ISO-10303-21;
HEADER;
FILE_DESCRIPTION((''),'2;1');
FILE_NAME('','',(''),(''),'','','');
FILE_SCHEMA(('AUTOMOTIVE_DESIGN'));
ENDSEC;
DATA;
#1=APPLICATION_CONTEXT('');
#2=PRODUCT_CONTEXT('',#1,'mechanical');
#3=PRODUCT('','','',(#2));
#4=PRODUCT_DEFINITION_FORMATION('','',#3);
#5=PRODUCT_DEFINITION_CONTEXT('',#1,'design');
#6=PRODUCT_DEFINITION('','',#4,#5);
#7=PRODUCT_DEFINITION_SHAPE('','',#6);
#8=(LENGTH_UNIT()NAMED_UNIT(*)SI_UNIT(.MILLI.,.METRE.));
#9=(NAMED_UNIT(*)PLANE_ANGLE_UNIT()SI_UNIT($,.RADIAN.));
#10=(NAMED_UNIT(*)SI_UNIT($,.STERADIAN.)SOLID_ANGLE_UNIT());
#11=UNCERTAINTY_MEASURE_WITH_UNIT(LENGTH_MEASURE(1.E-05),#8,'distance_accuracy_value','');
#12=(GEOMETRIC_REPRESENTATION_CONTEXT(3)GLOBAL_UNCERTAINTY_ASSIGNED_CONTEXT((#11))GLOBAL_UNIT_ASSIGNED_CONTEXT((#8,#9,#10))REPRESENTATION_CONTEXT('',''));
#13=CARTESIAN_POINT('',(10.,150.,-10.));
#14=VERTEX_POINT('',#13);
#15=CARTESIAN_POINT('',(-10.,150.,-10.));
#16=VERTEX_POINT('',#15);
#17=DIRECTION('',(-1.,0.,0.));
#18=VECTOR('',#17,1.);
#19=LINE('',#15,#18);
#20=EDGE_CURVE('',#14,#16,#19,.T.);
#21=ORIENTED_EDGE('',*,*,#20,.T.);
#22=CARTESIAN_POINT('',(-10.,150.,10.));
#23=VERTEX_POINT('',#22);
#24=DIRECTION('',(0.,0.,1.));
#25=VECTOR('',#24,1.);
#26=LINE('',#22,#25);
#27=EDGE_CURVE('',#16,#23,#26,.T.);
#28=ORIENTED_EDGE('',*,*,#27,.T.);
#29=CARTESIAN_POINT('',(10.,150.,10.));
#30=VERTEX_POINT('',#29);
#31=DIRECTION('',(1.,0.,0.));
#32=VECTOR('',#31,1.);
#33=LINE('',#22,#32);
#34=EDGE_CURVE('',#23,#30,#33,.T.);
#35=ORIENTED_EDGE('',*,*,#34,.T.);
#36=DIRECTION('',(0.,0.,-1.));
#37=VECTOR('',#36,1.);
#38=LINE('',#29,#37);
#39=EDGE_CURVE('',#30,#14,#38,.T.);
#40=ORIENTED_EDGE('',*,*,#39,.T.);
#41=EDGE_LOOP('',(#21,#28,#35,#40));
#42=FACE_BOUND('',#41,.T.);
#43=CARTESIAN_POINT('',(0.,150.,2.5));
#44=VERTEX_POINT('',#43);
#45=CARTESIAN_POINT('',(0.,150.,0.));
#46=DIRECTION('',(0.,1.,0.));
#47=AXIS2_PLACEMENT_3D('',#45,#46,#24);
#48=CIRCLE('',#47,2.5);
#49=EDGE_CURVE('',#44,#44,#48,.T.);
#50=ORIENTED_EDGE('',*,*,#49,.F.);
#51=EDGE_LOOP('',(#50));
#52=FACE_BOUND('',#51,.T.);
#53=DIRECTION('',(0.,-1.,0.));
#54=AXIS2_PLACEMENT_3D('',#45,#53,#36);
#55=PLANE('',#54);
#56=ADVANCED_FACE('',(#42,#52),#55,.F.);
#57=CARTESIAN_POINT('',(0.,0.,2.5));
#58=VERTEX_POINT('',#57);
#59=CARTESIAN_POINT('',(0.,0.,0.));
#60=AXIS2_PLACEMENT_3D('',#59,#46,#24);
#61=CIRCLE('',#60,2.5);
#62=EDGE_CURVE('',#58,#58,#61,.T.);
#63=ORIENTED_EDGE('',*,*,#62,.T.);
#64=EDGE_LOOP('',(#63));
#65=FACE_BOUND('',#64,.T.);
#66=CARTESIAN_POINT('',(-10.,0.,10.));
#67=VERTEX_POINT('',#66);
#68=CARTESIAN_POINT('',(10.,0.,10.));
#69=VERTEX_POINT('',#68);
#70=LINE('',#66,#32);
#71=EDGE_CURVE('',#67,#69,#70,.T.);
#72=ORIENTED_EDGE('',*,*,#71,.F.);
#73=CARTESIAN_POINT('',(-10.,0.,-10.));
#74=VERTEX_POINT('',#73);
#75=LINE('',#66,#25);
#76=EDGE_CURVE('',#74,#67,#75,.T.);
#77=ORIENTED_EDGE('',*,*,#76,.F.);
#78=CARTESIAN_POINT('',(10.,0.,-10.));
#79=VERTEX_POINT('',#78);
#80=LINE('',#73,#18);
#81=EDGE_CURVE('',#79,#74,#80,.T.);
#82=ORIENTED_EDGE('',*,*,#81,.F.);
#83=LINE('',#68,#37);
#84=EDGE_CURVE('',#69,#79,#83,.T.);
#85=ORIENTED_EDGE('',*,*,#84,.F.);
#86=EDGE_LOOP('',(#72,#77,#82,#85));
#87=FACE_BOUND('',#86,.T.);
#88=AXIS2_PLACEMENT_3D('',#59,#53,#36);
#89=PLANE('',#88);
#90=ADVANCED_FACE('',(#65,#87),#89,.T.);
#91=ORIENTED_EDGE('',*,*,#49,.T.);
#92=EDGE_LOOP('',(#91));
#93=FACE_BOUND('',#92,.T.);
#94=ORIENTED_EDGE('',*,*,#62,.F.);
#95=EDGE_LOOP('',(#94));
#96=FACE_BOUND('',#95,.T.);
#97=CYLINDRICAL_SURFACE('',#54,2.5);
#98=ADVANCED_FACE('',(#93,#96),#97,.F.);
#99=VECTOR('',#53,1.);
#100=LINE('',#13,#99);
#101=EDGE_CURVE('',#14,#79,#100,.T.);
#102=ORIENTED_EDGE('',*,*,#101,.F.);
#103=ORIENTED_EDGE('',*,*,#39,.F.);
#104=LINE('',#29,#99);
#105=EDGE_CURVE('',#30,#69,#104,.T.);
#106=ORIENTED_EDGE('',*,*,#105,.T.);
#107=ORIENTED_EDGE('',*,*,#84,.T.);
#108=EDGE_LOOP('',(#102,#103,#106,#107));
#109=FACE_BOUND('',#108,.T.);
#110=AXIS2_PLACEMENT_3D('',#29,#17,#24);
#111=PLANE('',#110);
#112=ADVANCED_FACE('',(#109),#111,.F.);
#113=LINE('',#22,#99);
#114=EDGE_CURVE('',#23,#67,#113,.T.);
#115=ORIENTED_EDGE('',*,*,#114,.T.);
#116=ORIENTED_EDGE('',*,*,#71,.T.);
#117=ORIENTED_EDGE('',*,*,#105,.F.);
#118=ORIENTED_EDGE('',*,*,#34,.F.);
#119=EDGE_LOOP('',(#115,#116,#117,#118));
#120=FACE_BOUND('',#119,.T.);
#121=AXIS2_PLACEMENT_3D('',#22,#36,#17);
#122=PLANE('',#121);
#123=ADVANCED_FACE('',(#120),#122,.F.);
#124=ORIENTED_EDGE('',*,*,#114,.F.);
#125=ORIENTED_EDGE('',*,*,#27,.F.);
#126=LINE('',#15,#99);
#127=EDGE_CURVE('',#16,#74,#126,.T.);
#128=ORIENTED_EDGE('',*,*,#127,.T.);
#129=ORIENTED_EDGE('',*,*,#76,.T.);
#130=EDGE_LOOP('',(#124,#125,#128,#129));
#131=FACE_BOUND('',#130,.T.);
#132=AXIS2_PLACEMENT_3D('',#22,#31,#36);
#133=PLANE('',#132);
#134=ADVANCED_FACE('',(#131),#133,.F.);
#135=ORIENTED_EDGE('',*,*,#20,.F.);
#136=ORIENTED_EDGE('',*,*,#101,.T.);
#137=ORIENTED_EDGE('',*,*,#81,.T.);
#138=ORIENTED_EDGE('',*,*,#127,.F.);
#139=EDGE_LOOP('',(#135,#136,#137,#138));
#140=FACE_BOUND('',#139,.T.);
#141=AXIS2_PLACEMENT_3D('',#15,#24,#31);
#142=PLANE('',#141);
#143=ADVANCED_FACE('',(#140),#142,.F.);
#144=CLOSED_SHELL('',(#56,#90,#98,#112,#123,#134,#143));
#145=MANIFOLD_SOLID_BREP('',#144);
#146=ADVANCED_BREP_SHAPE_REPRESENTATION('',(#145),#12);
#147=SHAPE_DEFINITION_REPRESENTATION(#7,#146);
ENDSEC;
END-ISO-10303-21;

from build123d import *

# Parameters (mm, degrees)
SKETCH2_W           = 20
SKETCH2_H           = 20
SKETCH2_R           = 2.5
BOSS_EXTRUDE1_DEPTH = 150


with BuildPart() as part:
    # Sketch2 → Boss-Extrude1 (new body)
    with BuildSketch(Plane(origin=(0, 0, 0), x_dir=(1, 0, 0), z_dir=(0, 1, 0))):
        Rectangle(SKETCH2_W, SKETCH2_H)
        with Locations(Location((0, 0, 0), (0, 0, 270))):
            Circle(SKETCH2_R, mode=Mode.SUBTRACT)
    extrude(amount=BOSS_EXTRUDE1_DEPTH)


solid = part.part
